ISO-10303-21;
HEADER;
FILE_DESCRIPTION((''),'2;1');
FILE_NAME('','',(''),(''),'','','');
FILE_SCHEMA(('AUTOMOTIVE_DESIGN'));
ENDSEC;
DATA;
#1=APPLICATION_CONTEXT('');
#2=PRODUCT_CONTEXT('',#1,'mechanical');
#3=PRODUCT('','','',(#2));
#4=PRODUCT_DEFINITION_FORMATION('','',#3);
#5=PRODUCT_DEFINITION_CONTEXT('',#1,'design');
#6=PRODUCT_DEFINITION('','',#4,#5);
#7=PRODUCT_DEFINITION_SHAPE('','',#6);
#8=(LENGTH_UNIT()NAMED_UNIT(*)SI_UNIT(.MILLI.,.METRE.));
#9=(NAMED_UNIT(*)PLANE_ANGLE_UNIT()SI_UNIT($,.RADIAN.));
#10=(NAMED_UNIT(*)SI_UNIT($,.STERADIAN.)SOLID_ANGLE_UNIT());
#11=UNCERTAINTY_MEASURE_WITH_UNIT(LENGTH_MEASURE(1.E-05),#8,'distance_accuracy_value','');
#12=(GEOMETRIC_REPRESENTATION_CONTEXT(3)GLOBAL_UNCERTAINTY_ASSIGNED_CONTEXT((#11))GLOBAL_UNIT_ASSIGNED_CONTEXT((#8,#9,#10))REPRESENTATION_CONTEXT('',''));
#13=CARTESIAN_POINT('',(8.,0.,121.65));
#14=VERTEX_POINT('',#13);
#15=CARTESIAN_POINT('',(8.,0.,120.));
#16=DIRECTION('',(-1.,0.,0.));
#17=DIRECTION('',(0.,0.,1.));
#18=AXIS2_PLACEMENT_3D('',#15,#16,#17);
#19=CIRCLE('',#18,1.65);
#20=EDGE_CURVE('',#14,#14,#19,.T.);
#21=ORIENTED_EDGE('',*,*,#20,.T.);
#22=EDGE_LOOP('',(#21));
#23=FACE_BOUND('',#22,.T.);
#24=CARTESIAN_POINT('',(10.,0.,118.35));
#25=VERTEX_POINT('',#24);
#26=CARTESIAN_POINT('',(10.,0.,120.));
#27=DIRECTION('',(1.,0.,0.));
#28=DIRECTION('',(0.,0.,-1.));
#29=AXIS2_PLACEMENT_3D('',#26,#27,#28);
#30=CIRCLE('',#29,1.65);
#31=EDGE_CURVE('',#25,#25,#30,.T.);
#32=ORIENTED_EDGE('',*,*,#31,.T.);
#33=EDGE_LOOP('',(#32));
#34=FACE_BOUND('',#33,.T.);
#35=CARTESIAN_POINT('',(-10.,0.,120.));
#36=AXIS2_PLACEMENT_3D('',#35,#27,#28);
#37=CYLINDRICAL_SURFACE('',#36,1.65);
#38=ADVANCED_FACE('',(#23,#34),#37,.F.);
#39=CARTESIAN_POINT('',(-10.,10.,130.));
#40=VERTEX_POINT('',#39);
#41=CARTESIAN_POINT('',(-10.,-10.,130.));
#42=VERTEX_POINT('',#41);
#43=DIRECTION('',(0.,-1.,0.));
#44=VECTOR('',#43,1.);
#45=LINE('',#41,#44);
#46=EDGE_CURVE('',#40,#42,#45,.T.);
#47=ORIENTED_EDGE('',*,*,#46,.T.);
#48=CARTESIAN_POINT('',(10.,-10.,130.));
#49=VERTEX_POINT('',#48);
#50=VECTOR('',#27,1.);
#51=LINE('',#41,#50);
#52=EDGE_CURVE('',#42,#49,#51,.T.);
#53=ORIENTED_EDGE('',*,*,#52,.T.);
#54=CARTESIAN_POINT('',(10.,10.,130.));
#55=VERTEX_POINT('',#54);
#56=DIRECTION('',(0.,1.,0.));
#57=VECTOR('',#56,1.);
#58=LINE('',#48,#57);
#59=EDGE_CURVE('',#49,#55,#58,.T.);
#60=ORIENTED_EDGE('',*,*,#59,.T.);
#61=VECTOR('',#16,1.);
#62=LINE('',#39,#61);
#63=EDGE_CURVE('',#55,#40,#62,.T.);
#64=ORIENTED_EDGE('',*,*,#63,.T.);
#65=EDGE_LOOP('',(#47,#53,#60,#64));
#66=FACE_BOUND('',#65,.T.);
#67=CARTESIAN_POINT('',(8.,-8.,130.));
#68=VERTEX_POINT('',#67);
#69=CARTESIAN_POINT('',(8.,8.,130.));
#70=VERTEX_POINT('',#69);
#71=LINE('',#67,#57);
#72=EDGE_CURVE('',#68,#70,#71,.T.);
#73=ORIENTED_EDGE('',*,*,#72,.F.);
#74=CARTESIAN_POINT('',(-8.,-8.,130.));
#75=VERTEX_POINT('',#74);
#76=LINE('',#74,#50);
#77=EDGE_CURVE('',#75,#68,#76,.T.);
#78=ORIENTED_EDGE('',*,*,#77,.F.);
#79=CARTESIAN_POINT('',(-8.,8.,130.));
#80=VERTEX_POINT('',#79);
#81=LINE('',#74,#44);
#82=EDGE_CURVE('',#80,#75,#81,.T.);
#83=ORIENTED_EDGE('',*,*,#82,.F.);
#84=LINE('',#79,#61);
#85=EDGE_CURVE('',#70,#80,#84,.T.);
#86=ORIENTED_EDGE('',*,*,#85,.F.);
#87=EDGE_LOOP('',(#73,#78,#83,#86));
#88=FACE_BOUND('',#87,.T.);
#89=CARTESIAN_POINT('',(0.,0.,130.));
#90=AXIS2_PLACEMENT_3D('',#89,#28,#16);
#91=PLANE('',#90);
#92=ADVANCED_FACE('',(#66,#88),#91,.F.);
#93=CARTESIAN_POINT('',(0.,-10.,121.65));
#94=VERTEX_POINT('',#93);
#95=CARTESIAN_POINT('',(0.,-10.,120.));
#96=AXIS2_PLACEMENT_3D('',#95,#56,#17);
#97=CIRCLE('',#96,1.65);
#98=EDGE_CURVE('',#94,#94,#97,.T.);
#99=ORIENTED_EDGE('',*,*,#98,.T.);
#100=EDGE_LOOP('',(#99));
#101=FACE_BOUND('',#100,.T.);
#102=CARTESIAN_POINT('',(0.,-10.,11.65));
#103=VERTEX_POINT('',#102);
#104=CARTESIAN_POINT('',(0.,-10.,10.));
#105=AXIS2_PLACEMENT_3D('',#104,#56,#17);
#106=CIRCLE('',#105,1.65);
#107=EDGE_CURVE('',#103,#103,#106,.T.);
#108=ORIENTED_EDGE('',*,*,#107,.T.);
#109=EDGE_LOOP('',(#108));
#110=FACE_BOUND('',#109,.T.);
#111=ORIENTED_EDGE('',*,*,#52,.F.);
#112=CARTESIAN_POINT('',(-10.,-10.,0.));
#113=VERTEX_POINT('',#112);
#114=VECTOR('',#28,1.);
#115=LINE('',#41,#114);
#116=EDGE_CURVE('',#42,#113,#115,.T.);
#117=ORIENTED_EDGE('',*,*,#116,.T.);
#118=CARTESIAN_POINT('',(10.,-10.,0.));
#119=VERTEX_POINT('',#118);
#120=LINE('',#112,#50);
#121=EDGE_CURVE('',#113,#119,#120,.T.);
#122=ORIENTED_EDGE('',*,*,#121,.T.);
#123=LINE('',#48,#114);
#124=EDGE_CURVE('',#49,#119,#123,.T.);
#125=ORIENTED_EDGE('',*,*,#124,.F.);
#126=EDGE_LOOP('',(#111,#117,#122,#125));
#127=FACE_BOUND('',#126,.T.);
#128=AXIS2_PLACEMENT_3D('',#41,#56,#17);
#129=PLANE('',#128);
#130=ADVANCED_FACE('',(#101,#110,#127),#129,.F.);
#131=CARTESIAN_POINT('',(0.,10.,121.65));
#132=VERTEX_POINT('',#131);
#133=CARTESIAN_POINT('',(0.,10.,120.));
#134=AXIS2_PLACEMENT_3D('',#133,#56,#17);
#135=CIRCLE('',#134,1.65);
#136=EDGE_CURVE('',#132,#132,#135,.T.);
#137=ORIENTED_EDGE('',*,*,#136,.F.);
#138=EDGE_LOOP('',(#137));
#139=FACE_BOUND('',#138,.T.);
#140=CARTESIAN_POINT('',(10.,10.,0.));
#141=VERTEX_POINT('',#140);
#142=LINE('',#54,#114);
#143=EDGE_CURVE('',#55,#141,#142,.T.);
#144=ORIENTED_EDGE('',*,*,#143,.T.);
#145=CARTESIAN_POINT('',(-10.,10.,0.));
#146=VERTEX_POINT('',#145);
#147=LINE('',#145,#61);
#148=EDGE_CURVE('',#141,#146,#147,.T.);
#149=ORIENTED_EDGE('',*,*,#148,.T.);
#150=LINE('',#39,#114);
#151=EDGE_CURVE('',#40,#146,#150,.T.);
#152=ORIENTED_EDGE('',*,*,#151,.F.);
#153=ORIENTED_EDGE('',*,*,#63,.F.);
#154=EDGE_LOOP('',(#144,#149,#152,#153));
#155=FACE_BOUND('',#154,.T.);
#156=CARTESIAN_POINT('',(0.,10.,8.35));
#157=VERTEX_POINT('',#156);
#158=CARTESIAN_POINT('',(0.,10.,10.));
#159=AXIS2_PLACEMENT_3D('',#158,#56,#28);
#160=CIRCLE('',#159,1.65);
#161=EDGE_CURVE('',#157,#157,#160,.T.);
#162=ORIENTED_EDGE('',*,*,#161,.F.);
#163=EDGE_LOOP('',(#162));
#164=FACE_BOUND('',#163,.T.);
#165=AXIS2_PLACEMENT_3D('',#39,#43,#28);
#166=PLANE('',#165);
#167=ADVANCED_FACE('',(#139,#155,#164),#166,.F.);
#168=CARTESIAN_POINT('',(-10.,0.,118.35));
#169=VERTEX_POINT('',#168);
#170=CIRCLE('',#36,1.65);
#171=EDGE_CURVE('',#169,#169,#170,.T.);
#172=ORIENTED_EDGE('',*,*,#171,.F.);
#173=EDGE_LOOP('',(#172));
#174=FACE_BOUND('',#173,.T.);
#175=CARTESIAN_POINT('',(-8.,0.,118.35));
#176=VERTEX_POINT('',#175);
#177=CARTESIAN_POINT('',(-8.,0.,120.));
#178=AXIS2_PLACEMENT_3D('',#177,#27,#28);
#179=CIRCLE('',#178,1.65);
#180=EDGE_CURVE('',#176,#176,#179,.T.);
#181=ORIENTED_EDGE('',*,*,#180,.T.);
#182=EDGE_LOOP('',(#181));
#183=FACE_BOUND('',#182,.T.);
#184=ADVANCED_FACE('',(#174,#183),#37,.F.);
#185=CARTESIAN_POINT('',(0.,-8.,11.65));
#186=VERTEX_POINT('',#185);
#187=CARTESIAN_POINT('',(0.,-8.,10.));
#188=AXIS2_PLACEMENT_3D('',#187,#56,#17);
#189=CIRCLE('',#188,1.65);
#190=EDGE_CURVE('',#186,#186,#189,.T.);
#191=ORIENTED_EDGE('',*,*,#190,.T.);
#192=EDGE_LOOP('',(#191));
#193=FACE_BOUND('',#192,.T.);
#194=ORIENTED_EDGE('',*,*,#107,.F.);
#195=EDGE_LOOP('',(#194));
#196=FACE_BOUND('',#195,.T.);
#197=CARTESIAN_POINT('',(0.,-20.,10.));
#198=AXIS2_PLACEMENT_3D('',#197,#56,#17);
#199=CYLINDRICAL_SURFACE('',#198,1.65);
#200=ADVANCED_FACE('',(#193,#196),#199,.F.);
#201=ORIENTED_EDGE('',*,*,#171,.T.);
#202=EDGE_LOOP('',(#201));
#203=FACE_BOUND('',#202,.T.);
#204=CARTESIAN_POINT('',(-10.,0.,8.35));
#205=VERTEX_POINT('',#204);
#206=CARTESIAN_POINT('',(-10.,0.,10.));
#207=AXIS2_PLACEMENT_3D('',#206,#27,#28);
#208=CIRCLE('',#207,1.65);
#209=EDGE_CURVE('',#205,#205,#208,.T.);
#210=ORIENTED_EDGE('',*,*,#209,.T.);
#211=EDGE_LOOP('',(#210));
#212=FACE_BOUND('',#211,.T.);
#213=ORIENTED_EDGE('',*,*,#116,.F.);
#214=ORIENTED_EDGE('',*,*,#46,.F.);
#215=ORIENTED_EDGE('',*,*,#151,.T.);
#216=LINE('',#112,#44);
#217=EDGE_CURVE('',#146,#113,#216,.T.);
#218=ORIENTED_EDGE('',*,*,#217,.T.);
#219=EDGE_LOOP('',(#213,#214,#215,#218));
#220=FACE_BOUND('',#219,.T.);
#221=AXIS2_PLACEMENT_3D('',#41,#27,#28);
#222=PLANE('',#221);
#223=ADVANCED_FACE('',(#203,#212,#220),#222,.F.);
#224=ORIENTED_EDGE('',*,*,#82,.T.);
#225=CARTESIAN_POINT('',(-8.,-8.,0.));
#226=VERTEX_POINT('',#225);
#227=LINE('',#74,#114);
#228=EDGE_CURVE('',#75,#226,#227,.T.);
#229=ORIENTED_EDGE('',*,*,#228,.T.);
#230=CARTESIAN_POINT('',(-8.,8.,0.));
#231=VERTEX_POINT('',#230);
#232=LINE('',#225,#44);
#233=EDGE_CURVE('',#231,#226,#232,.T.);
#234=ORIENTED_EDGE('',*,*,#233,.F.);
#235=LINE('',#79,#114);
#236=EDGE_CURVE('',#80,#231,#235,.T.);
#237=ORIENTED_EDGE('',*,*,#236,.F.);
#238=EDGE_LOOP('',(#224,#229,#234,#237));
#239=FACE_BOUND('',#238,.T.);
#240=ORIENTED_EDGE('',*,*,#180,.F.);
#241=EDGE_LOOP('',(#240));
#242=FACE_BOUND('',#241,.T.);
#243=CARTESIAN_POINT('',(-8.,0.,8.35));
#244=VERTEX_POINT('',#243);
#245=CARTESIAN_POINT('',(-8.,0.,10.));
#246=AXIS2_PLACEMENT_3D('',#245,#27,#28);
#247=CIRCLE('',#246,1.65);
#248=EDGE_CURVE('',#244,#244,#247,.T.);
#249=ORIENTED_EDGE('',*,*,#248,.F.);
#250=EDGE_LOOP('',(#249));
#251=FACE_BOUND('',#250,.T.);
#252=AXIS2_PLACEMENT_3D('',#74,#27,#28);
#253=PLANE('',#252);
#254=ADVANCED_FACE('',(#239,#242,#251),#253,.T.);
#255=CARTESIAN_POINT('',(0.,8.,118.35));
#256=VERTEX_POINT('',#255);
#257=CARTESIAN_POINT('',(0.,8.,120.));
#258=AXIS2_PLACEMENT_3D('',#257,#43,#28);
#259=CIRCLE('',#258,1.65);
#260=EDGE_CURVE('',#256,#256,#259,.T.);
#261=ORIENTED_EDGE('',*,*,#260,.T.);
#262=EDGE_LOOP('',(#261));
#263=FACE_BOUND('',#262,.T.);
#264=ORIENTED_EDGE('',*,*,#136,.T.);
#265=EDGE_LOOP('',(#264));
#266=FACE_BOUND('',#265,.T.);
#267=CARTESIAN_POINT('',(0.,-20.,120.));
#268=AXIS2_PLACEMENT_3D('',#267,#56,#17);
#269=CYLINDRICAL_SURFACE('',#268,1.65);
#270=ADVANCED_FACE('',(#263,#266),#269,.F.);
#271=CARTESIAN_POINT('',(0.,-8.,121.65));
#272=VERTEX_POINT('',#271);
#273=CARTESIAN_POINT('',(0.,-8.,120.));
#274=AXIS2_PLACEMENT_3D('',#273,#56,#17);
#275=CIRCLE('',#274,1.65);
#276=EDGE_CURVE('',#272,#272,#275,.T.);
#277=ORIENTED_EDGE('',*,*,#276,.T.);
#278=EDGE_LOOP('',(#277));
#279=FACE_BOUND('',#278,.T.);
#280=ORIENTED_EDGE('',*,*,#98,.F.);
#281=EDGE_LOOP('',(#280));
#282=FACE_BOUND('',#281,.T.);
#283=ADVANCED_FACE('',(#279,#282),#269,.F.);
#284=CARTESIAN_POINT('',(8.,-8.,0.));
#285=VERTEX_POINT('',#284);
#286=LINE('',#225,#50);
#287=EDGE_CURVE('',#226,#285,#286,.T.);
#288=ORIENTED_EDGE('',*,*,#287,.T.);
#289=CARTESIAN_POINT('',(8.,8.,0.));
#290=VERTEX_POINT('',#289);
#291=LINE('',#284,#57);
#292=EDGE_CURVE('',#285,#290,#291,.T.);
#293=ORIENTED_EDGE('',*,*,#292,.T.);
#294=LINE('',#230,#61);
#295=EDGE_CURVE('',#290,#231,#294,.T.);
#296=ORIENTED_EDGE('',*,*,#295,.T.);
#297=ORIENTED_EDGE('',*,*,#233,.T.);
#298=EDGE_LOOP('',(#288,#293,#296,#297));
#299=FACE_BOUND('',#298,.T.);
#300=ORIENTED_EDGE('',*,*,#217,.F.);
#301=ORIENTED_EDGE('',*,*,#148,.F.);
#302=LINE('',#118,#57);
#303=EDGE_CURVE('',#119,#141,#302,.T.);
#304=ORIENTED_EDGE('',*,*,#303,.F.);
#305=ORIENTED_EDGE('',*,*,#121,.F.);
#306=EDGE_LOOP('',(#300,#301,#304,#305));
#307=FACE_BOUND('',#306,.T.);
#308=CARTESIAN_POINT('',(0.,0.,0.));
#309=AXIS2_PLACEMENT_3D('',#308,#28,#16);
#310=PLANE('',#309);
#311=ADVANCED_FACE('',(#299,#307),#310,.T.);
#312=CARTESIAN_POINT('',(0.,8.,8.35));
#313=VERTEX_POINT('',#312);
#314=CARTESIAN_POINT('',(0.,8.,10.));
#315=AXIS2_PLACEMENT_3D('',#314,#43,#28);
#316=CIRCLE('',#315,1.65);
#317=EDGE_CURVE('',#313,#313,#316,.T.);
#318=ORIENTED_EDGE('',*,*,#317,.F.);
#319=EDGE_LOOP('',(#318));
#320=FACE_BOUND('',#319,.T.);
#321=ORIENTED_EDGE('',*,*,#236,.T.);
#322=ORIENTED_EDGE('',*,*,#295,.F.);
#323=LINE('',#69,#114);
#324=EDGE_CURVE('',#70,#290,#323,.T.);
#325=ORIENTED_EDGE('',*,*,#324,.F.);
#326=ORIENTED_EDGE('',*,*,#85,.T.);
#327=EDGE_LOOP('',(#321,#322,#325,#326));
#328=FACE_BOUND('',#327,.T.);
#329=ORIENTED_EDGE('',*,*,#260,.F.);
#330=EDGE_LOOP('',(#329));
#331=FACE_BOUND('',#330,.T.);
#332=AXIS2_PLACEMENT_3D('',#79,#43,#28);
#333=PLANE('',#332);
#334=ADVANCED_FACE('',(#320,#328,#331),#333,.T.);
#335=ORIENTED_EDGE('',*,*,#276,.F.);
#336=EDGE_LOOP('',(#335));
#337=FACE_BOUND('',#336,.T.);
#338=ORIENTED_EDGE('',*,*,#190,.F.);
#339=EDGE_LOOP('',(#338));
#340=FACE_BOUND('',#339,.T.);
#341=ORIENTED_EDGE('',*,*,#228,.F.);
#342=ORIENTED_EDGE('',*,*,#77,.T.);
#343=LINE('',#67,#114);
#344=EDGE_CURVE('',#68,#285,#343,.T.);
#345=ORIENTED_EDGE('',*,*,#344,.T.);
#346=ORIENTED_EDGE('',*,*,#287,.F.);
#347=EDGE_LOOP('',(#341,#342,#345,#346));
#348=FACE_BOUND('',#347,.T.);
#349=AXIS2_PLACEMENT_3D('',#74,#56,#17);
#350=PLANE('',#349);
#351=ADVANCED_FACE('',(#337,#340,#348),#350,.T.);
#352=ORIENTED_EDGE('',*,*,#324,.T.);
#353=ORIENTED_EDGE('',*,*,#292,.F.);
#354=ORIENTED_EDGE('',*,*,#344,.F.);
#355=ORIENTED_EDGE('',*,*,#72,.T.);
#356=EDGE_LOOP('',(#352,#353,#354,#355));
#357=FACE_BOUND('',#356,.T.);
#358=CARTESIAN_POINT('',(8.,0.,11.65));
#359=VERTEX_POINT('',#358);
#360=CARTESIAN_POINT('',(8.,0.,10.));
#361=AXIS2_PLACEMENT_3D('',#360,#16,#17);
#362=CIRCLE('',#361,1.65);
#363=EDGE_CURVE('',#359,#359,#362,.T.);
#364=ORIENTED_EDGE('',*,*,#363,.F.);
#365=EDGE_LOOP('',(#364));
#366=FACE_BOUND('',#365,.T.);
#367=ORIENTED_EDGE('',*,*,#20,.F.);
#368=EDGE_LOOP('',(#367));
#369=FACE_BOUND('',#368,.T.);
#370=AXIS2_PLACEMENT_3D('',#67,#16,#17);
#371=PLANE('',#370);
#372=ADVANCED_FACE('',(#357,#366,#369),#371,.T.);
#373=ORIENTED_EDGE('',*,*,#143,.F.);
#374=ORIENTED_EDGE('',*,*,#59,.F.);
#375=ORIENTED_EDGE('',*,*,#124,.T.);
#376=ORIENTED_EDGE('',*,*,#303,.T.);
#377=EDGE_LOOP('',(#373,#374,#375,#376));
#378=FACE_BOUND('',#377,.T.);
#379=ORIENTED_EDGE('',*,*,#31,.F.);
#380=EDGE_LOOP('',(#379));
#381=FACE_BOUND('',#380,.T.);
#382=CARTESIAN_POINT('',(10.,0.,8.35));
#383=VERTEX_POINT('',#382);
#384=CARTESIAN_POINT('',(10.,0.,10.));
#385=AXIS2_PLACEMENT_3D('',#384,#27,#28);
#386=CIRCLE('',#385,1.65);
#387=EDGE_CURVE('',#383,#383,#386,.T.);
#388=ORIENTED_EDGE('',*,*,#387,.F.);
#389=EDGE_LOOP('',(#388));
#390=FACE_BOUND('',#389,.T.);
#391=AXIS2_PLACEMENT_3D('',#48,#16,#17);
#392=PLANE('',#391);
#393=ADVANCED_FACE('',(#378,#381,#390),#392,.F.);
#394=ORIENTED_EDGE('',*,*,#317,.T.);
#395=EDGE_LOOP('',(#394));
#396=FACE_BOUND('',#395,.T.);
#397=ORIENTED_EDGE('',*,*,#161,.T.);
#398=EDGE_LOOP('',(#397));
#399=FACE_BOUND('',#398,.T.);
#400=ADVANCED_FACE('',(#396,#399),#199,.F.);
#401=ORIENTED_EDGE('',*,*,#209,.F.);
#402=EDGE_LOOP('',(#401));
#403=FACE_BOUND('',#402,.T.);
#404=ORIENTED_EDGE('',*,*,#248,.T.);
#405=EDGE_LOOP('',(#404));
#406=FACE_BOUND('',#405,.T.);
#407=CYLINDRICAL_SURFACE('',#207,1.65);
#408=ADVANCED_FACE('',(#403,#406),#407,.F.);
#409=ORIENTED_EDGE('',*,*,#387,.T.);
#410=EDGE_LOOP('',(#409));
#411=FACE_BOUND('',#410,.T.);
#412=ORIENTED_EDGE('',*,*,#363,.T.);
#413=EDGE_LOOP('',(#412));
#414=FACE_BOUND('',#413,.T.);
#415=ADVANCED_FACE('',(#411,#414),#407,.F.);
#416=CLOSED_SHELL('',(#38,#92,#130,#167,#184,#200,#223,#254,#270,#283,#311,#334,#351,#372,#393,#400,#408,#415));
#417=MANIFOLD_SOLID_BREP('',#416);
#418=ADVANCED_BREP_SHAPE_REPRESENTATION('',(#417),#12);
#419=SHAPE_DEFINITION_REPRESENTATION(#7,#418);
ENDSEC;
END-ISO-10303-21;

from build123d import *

# Parameters (mm, degrees)
SKETCH_1_W          = 20
SKETCH_1_H          = 20
SKETCH_1_W_2        = 16
SKETCH_1_H_2        = 16
EXTRUDE_1_DEPTH     = 130
SKETCH_2_R          = 1.65
CUT_EXTRUDE_1_DEPTH = 30
SKETCH_3_R          = 1.65
CUT_EXTRUDE_2_DEPTH = 10


with BuildPart() as part:
    # 草图1 → 凸台-拉伸1 (new body)
    with BuildSketch(Plane.XY):
        Rectangle(SKETCH_1_W, SKETCH_1_H)
        Rectangle(SKETCH_1_W_2, SKETCH_1_H_2, mode=Mode.SUBTRACT)
    extrude(amount=EXTRUDE_1_DEPTH)

    # 草图2 → 切除-拉伸1 (cut)
    with BuildSketch(Plane(origin=(0, 10, 0), x_dir=(1, 0, 0), z_dir=(0, 1, 0))):
        with Locations(Location((0, -120, 0), (0, 0, 270))):
            Circle(SKETCH_2_R)
        with Locations(Location((0, -10, 0), (0, 0, 270))):
            Circle(SKETCH_2_R)
    extrude(amount=-CUT_EXTRUDE_1_DEPTH, mode=Mode.SUBTRACT)

    # 草图3 → 切除-拉伸2 (cut, symmetric)
    with BuildSketch(Plane(origin=(0, 0, 0), x_dir=(0, 0, -1), z_dir=(1, 0, 0))):
        with Locations((-120, 0)):
            Circle(SKETCH_3_R)
        with Locations((-10, 0)):
            Circle(SKETCH_3_R)
    extrude(amount=CUT_EXTRUDE_2_DEPTH, both=True, mode=Mode.SUBTRACT)


solid = part.part
